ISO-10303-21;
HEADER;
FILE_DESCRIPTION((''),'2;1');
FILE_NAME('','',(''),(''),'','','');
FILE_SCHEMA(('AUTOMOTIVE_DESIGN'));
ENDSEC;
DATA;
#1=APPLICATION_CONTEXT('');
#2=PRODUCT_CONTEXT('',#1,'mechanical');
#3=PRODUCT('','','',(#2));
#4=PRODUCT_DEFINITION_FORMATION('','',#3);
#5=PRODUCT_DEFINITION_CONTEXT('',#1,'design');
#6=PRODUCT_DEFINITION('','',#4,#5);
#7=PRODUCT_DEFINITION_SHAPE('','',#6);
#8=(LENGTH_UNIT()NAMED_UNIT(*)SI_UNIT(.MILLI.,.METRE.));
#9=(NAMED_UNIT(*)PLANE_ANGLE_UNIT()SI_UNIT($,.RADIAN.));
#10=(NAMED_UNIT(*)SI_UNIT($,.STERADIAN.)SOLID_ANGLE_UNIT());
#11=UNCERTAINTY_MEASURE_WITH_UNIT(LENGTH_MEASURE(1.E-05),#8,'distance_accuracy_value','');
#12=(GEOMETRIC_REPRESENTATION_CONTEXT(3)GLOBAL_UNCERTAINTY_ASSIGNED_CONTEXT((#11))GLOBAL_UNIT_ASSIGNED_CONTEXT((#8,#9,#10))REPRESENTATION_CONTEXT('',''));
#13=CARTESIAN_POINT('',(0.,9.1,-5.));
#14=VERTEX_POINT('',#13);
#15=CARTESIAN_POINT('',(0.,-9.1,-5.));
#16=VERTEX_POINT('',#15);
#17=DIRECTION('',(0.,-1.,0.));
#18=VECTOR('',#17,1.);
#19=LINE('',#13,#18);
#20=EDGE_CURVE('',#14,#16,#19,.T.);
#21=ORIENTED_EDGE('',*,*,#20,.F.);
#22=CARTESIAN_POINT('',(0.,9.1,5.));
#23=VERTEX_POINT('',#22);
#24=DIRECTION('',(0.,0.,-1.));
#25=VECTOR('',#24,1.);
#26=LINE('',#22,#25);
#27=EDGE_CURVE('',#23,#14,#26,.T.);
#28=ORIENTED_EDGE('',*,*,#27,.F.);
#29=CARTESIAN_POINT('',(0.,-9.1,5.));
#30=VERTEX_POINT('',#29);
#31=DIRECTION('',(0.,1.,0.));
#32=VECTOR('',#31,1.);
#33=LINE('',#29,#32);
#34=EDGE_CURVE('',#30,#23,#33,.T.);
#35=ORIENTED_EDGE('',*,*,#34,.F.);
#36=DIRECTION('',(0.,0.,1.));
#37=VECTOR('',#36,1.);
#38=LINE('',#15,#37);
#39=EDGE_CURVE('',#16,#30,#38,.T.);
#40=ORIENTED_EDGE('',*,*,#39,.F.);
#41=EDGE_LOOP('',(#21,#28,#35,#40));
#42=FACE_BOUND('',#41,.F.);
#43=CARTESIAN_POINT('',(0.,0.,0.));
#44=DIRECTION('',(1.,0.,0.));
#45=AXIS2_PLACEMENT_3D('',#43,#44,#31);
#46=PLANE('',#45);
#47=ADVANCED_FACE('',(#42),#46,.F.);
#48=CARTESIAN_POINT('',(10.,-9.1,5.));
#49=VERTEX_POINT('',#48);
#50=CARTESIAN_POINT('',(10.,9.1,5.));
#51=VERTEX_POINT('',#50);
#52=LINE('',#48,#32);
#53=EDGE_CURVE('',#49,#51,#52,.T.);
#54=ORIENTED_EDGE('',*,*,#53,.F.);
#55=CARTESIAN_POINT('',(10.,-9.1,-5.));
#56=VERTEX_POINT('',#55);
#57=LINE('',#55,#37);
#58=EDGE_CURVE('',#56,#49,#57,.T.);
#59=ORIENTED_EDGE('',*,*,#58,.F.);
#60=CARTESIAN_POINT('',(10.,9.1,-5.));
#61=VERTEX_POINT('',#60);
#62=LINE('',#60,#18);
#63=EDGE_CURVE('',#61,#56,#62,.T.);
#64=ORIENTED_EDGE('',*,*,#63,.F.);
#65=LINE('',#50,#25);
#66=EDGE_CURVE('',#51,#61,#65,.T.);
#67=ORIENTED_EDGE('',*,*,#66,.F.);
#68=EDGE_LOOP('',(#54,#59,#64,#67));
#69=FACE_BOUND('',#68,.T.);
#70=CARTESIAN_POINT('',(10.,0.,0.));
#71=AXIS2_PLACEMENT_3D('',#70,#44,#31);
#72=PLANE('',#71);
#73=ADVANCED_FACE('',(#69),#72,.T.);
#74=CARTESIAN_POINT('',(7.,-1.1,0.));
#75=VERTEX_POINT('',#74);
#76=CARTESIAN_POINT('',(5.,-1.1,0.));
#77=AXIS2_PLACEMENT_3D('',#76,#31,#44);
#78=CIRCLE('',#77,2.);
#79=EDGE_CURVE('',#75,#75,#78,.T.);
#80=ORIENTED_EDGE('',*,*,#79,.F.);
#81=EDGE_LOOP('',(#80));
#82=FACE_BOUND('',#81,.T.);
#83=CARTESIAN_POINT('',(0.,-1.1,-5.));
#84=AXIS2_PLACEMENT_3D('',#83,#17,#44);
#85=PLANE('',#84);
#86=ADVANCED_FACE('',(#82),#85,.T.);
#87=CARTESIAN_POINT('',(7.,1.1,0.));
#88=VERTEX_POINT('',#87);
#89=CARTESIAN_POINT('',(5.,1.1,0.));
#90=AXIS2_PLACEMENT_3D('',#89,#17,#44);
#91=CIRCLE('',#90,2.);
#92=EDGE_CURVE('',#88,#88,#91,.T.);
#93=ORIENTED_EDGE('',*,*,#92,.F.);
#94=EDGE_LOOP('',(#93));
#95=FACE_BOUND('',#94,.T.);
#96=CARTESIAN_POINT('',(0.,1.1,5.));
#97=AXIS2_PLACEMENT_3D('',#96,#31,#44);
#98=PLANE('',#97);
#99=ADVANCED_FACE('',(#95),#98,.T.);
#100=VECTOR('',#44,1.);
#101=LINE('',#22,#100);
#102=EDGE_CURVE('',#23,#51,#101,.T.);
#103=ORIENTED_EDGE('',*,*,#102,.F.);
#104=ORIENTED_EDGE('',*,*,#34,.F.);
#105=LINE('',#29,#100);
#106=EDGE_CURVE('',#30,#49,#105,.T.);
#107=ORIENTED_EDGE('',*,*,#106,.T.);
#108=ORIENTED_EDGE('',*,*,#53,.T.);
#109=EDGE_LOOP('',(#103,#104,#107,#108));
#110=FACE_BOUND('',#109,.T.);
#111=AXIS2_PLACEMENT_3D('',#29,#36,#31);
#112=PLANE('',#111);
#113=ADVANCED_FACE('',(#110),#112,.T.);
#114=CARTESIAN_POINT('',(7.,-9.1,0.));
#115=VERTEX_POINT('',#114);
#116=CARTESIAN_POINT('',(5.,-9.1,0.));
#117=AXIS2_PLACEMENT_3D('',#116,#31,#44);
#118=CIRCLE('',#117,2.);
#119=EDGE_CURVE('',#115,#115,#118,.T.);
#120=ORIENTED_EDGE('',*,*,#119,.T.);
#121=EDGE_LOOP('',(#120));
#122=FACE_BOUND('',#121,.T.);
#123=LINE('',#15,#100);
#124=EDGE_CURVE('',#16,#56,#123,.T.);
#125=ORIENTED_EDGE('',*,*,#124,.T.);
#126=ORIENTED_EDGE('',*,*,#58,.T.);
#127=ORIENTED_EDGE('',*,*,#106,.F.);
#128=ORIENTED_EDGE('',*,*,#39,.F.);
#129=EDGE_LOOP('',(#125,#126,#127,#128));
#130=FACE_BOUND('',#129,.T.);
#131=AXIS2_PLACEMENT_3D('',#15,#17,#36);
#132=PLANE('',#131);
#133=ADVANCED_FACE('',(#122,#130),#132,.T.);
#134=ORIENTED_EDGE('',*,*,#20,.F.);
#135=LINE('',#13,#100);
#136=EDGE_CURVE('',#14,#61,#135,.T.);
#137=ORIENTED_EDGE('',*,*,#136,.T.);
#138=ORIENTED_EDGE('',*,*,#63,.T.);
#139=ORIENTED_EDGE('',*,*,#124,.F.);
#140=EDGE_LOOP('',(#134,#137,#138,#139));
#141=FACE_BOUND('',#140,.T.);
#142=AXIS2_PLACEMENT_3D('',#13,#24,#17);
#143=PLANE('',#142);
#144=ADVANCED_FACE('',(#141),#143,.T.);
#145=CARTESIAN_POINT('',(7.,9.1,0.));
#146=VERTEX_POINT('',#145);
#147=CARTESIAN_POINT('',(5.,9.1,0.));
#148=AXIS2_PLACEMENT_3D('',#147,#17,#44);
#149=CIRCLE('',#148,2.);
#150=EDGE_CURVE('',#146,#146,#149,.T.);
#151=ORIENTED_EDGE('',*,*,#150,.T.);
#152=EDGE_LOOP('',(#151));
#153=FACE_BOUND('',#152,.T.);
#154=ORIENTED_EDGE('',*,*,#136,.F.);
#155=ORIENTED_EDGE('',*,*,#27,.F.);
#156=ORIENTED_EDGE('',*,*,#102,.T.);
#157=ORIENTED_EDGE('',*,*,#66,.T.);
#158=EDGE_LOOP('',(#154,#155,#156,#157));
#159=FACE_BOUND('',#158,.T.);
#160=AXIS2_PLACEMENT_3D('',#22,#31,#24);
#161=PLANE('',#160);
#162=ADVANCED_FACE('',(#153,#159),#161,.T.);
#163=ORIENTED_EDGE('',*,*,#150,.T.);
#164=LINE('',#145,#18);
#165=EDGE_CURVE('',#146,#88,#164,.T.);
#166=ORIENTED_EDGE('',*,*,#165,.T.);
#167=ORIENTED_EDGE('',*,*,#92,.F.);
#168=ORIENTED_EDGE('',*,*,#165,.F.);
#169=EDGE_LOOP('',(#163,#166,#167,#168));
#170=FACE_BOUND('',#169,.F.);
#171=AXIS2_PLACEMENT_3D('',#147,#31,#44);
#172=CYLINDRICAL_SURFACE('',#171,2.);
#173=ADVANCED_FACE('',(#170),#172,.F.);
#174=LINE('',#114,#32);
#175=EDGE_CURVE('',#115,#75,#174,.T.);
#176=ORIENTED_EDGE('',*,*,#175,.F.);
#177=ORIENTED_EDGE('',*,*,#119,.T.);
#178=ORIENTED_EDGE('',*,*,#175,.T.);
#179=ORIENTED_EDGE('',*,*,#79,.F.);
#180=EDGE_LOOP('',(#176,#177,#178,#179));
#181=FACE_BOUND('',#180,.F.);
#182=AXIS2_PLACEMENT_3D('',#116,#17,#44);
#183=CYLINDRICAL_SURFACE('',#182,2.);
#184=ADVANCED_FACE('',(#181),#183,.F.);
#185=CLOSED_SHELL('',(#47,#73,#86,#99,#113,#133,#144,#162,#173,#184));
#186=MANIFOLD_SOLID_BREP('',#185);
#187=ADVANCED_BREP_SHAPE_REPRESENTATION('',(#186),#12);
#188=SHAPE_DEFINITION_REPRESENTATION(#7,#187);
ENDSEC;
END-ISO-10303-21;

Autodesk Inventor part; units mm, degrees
ref_plane "YZ Plane" through (0, 0, 0) normal (1, 0, 0) x (0, 1, 0)
ref_plane "XZ Plane" through (0, 0, 0) normal (0, 1, 0) x (-1, 0, 0)
ref_plane "XY Plane" through (0, 0, 0) normal (0, 0, 1) x (1, 0, 0)
sketch "Sketch1" plane through (0, 0, 0) normal (1, 0, 0) x (0, 1, 0)
  line L0 (-9.1, 5) -> (9.1, 5)
  line L1 (9.1, 5) -> (9.1, -5)
  line L2 (9.1, -5) -> (-9.1, -5)
  line L3 (-9.1, -5) -> (-9.1, 5)
  line L4 (-9.1, 5) -> (9.1, -5) construction
  line L5 (9.1, 5) -> (-9.1, -5) construction
  point P0 (0, 0)
  dimension "d0" = 18.2
  dimension "d1" = 10
extrude "Extrusion1" add sketch "Sketch1" along normal blind 10
sketch "Sketch2" plane through (0, 9.1, 5) normal (0, 1, 0) x (1, 0, 0)
  line L0 (0, 5) -> (5, 5)
  circle A0 centre (5, 5) radius 2
  dimension "d4" = 5
  dimension "d5" = 4
extrude "Extrusion2" cut sketch "Sketch2" against normal blind 8
thread "Thread1" size "M4x0.7" class "6H" standard "ANSI Metric M Profile" full length
sketch "Sketch3" plane through (0, -9.1, -5) normal (0, -1, 0) x (1, 0, 0)
  line L0 (0, 5) -> (5, 5)
  circle A0 centre (5, 5) radius 2
  dimension "d10" = 5
  dimension "d11" = 4
extrude "Extrusion3" cut sketch "Sketch3" against normal blind 8
thread "Thread2" size "M4x0.7" class "6H" standard "ANSI Metric M Profile" full length
properties part number "Rb PEEK - Soporte"
